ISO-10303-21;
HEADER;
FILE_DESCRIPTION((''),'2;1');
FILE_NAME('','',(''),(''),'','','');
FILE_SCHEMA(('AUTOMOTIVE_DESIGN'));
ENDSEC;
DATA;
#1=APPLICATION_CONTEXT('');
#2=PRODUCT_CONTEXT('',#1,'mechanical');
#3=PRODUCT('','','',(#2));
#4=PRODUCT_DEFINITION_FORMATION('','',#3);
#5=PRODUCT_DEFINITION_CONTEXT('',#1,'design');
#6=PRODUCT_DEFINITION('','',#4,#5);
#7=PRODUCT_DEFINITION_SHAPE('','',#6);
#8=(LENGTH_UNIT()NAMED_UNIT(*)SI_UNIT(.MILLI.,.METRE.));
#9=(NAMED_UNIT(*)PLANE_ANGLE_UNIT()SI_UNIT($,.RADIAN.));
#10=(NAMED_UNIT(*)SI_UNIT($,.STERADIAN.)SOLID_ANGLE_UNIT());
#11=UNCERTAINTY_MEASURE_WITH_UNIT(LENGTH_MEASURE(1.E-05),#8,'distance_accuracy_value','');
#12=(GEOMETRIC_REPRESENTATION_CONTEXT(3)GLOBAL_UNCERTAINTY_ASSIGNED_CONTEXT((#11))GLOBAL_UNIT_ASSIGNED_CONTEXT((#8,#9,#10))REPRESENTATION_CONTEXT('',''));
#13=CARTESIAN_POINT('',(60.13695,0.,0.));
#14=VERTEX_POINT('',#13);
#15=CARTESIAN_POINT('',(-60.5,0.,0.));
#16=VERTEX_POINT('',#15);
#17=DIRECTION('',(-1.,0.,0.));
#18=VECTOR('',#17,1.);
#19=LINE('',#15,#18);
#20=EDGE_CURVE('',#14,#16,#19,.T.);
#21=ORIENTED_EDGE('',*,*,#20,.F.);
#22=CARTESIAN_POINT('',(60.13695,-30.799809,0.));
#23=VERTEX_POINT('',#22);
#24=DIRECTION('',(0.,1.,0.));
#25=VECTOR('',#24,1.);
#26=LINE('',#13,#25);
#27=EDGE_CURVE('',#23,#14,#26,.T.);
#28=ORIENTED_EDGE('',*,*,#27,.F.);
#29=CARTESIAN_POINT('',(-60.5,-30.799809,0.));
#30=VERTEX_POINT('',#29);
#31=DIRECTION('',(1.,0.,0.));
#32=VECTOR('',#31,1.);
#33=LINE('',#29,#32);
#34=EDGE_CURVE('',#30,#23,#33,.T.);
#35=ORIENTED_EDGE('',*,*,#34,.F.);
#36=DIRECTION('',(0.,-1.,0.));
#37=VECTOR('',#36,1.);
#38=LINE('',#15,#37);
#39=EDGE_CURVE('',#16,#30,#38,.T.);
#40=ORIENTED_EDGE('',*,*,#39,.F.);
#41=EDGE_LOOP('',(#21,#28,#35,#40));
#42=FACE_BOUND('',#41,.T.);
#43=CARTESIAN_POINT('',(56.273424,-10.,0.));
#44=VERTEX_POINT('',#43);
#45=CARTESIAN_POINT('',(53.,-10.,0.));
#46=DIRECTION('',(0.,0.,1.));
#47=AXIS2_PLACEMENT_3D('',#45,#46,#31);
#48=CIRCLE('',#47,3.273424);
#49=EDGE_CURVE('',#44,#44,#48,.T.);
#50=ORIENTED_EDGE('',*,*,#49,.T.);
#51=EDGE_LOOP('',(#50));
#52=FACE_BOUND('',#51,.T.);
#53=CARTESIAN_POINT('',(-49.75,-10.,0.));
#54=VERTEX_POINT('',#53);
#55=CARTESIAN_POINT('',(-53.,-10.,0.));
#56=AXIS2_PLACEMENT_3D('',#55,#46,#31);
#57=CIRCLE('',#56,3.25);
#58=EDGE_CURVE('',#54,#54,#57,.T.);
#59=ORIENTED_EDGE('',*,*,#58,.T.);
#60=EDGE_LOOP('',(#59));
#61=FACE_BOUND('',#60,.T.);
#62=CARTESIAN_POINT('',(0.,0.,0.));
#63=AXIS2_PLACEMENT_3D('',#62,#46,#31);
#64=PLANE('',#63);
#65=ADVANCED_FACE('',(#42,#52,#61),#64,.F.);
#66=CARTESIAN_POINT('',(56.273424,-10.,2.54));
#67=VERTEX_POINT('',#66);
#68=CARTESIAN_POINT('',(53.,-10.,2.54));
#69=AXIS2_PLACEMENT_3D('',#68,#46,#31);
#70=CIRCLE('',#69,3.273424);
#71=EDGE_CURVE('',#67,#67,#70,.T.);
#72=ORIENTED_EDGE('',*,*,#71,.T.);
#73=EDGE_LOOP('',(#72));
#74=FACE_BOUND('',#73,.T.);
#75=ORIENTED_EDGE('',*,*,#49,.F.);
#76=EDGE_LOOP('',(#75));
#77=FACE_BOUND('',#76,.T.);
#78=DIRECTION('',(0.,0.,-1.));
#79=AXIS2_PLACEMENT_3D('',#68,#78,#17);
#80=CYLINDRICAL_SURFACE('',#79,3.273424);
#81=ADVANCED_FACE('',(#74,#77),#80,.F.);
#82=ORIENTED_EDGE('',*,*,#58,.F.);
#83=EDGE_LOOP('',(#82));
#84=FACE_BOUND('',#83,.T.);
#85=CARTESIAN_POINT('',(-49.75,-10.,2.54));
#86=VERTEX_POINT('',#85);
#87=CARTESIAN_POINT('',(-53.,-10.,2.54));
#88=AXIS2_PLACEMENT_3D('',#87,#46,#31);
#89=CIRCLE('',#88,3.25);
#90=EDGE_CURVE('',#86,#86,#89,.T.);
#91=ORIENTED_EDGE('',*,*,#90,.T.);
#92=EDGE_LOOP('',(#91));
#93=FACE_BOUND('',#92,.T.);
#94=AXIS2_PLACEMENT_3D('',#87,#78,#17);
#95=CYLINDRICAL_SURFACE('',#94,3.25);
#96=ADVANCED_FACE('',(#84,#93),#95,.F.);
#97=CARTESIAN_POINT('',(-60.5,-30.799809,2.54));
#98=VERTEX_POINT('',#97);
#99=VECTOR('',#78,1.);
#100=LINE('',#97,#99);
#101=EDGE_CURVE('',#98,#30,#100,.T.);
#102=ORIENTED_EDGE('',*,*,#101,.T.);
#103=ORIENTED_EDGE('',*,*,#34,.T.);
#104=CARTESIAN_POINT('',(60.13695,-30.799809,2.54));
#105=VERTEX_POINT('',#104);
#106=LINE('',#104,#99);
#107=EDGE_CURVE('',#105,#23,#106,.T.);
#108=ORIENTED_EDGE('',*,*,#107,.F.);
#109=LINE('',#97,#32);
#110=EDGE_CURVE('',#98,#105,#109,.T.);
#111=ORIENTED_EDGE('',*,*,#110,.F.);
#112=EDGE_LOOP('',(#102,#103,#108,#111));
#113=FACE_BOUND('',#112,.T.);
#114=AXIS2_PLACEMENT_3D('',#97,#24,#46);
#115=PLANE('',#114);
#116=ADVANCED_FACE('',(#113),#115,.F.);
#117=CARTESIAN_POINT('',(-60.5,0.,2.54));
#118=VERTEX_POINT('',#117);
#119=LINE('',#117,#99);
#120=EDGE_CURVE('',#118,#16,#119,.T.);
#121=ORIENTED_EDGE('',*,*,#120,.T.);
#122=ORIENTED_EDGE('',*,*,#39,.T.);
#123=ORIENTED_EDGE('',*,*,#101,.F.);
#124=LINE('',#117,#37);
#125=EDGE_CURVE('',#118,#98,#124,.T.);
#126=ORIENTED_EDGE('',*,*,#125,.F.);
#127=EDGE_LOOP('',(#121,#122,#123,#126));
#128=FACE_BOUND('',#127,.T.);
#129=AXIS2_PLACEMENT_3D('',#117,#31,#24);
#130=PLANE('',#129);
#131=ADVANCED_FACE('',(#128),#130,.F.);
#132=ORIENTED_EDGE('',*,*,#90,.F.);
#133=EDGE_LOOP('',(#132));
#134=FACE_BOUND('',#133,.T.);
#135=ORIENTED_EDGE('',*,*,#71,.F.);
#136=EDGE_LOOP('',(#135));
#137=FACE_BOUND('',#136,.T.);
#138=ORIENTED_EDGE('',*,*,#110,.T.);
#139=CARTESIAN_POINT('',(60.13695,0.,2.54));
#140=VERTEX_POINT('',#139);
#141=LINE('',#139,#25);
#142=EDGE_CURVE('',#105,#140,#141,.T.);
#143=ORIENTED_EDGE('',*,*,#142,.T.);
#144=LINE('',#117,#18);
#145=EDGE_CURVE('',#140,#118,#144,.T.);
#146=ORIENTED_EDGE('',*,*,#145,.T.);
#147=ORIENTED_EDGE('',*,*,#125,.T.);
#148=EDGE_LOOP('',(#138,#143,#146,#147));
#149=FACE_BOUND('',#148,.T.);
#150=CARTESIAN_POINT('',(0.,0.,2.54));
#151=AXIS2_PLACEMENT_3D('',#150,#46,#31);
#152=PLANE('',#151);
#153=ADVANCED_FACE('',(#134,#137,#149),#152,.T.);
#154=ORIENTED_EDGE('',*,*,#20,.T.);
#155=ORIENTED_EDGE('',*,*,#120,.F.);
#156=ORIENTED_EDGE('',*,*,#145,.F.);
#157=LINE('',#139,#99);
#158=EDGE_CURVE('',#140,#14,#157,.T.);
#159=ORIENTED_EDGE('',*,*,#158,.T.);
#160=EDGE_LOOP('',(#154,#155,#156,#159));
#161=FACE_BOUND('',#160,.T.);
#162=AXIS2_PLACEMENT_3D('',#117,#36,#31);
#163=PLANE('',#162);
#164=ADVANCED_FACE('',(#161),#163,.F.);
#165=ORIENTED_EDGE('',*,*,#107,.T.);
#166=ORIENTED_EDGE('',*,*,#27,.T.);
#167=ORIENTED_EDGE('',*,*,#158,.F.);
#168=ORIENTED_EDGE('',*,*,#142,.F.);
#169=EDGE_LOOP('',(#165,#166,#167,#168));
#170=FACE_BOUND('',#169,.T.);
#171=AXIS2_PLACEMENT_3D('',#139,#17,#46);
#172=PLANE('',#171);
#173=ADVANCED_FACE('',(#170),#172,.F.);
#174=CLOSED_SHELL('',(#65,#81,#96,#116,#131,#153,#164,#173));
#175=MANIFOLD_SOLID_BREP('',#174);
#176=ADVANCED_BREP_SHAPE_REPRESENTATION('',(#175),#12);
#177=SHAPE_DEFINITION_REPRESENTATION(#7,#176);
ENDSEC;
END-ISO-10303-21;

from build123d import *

# Parameters (mm, degrees)
SKETCH1_W           = 120.636949864
SKETCH1_H           = 30.799809453
SKETCH1_R           = 3.273423831
SKETCH1_R_2         = 3.25
BOSS_EXTRUDE1_DEPTH = 2.54


with BuildPart() as part:
    # Sketch1 → Boss-Extrude1 (new body)
    with BuildSketch(Plane.XY):
        with Locations((-0.181525068, -15.399904727)):
            Rectangle(SKETCH1_W, SKETCH1_H)
        with Locations((53, -10)):
            Circle(SKETCH1_R, mode=Mode.SUBTRACT)
        with Locations((-53, -10)):
            Circle(SKETCH1_R_2, mode=Mode.SUBTRACT)
    extrude(amount=BOSS_EXTRUDE1_DEPTH)


solid = part.part
